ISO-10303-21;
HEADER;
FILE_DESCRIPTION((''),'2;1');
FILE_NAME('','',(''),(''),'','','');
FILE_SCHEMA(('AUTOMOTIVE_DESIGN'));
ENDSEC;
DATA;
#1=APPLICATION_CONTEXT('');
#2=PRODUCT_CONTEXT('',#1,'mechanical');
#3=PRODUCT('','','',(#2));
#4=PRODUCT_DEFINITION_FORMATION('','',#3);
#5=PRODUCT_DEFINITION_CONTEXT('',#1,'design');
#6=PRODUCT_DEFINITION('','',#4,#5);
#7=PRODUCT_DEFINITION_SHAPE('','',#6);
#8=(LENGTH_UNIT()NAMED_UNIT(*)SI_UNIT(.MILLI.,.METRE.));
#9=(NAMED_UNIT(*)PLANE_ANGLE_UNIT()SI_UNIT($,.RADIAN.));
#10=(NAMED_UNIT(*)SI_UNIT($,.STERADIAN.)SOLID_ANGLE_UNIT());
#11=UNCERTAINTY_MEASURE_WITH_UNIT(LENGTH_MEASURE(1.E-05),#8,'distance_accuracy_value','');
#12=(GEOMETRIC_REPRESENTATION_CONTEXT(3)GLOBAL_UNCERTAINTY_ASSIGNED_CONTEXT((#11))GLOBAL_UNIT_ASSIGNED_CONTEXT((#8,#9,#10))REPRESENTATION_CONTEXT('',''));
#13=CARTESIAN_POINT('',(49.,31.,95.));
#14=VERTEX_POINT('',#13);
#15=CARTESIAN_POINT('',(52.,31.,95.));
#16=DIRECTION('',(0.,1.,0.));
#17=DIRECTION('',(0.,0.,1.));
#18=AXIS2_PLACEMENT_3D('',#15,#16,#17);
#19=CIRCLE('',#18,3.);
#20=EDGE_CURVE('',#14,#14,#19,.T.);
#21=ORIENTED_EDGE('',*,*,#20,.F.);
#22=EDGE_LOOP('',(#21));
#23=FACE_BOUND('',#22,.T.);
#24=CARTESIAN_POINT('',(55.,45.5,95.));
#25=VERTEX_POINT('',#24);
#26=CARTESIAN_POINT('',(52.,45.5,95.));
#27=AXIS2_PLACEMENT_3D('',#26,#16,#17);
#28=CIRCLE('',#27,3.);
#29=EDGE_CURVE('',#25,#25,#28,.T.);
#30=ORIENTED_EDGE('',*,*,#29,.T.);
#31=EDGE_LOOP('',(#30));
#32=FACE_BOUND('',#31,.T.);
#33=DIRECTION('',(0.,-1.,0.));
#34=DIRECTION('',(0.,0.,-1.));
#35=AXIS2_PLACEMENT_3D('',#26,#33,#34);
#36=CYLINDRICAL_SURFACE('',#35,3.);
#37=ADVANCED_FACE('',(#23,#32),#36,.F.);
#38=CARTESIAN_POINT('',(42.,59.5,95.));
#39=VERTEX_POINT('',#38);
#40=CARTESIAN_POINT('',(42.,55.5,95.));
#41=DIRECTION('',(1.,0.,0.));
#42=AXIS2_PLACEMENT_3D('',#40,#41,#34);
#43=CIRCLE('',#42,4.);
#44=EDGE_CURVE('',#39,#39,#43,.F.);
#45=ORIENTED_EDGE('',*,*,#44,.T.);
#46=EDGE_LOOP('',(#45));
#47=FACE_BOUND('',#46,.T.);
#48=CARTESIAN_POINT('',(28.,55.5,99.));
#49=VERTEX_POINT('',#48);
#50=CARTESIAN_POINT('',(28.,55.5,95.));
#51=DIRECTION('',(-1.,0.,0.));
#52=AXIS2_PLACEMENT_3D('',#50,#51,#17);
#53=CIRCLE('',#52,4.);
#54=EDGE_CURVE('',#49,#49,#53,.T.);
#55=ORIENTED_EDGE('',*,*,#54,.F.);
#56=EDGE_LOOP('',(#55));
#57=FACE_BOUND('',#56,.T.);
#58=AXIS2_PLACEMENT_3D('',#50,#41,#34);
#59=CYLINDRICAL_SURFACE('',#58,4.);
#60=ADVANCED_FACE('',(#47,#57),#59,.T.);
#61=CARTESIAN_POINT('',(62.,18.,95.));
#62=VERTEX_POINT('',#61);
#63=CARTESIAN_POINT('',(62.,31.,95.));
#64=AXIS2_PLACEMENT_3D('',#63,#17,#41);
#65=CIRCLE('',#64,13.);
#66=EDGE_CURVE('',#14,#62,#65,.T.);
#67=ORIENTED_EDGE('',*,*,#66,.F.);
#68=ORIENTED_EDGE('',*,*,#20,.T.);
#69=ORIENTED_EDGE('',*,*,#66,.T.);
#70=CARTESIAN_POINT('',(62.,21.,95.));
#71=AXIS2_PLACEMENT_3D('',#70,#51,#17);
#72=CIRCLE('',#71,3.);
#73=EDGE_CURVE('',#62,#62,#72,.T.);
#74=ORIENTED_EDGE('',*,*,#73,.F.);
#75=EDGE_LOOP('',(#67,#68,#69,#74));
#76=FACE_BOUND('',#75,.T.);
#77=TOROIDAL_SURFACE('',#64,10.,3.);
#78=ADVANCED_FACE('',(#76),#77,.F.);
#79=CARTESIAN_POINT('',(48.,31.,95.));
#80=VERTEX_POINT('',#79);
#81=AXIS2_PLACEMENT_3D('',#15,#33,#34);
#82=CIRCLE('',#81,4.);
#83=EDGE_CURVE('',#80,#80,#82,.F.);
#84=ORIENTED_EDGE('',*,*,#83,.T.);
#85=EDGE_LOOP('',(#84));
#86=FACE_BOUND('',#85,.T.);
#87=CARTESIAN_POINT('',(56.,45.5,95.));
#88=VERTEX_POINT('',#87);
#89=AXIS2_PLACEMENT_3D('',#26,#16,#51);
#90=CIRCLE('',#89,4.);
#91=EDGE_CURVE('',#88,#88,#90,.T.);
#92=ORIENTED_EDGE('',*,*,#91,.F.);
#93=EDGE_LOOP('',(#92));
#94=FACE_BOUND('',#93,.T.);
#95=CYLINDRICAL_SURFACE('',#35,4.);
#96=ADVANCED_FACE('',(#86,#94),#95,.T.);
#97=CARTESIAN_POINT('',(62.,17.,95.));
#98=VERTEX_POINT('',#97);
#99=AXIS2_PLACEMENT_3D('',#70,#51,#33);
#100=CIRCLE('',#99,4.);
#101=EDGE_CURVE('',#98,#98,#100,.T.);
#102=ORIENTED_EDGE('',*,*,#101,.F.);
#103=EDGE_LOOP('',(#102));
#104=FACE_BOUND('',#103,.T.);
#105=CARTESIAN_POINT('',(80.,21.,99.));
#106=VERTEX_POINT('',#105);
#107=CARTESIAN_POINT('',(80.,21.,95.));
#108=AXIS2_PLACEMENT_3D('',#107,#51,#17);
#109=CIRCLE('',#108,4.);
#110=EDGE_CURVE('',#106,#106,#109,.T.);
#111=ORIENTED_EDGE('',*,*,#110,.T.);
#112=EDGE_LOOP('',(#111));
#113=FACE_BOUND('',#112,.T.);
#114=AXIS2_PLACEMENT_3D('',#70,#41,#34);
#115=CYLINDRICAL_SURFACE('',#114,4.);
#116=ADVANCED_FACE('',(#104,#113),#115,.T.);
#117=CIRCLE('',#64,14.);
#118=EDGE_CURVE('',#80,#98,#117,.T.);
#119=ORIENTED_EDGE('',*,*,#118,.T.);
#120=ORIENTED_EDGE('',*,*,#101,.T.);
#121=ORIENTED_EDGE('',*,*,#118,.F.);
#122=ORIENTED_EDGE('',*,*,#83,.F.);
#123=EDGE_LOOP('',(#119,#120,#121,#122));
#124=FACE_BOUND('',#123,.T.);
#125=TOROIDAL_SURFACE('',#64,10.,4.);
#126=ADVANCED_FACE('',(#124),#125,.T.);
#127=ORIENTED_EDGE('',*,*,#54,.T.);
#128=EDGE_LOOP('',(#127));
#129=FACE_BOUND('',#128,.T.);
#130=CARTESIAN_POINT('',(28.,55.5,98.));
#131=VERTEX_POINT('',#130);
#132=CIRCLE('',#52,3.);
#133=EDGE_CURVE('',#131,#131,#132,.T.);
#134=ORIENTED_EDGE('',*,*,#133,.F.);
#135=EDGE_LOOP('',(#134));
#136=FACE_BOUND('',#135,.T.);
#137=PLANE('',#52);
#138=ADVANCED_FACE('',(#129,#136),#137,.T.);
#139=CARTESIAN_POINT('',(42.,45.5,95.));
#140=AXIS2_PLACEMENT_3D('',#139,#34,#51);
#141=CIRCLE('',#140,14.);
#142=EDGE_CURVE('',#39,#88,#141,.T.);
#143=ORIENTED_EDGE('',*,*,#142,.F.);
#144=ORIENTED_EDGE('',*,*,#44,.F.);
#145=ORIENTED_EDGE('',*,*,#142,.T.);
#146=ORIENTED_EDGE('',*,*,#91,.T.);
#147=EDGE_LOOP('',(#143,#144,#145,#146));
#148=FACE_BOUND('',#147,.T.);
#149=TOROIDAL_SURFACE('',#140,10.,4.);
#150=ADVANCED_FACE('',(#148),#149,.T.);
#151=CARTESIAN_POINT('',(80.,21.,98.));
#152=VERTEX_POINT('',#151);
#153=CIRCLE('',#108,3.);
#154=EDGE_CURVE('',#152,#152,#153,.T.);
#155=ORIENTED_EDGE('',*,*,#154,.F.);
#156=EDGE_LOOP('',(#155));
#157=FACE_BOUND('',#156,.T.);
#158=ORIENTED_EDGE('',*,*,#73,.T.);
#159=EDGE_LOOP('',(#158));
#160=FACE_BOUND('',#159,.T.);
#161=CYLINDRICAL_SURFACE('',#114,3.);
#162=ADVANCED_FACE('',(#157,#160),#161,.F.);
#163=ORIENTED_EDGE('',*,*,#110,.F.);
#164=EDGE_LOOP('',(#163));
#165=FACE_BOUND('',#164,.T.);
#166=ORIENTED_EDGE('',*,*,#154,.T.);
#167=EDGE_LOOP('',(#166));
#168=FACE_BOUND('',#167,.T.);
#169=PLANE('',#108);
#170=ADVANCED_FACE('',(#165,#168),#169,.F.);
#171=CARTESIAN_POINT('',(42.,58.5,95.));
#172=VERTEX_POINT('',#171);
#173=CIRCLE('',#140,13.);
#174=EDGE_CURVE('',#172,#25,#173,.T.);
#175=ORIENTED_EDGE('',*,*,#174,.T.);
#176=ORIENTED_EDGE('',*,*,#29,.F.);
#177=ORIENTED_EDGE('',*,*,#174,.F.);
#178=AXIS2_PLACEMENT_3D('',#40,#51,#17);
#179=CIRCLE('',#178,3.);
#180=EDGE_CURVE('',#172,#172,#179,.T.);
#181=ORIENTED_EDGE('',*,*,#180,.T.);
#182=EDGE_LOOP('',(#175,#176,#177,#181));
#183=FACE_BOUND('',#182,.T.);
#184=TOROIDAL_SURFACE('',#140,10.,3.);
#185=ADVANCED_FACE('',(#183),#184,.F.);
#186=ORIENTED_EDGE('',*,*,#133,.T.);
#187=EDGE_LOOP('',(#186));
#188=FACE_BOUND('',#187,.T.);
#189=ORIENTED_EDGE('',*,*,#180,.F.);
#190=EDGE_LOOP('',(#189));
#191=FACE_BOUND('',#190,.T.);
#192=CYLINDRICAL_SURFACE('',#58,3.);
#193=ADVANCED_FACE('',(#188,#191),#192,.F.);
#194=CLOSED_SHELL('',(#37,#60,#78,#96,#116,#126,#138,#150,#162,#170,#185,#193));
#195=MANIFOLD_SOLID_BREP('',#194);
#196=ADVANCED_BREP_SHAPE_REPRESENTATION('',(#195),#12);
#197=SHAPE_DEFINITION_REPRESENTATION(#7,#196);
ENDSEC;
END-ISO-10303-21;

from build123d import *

# Parameters (mm, degrees)
TUBE_PROFILE_R   = 4
TUBE_PROFILE_R_2 = 3


with BuildPart() as part:
    # Tube: sweep along a curve in space
    with BuildLine() as tube_path:
        Line((28, 55.5, 95), (42, 55.5, 95))
        ThreePointArc((52, 45.5, 95), (49.071067812, 52.571067812, 95), (42, 55.5, 95))
        Line((52, 45.5, 95), (52, 31, 95))
        ThreePointArc((62, 21, 95), (54.928932188, 23.928932188, 95), (52, 31, 95))
        Line((62, 21, 95), (80, 21, 95))
    # Tube profile (on start of the path) → Tube (sweep)
    with BuildSketch(Plane(origin=(28, 55.5, 95), x_dir=(0, 0, 1), z_dir=(1, 0, 0))):
        Circle(TUBE_PROFILE_R)
        Circle(TUBE_PROFILE_R_2, mode=Mode.SUBTRACT)
    sweep(path=tube_path.line)


solid = part.part
